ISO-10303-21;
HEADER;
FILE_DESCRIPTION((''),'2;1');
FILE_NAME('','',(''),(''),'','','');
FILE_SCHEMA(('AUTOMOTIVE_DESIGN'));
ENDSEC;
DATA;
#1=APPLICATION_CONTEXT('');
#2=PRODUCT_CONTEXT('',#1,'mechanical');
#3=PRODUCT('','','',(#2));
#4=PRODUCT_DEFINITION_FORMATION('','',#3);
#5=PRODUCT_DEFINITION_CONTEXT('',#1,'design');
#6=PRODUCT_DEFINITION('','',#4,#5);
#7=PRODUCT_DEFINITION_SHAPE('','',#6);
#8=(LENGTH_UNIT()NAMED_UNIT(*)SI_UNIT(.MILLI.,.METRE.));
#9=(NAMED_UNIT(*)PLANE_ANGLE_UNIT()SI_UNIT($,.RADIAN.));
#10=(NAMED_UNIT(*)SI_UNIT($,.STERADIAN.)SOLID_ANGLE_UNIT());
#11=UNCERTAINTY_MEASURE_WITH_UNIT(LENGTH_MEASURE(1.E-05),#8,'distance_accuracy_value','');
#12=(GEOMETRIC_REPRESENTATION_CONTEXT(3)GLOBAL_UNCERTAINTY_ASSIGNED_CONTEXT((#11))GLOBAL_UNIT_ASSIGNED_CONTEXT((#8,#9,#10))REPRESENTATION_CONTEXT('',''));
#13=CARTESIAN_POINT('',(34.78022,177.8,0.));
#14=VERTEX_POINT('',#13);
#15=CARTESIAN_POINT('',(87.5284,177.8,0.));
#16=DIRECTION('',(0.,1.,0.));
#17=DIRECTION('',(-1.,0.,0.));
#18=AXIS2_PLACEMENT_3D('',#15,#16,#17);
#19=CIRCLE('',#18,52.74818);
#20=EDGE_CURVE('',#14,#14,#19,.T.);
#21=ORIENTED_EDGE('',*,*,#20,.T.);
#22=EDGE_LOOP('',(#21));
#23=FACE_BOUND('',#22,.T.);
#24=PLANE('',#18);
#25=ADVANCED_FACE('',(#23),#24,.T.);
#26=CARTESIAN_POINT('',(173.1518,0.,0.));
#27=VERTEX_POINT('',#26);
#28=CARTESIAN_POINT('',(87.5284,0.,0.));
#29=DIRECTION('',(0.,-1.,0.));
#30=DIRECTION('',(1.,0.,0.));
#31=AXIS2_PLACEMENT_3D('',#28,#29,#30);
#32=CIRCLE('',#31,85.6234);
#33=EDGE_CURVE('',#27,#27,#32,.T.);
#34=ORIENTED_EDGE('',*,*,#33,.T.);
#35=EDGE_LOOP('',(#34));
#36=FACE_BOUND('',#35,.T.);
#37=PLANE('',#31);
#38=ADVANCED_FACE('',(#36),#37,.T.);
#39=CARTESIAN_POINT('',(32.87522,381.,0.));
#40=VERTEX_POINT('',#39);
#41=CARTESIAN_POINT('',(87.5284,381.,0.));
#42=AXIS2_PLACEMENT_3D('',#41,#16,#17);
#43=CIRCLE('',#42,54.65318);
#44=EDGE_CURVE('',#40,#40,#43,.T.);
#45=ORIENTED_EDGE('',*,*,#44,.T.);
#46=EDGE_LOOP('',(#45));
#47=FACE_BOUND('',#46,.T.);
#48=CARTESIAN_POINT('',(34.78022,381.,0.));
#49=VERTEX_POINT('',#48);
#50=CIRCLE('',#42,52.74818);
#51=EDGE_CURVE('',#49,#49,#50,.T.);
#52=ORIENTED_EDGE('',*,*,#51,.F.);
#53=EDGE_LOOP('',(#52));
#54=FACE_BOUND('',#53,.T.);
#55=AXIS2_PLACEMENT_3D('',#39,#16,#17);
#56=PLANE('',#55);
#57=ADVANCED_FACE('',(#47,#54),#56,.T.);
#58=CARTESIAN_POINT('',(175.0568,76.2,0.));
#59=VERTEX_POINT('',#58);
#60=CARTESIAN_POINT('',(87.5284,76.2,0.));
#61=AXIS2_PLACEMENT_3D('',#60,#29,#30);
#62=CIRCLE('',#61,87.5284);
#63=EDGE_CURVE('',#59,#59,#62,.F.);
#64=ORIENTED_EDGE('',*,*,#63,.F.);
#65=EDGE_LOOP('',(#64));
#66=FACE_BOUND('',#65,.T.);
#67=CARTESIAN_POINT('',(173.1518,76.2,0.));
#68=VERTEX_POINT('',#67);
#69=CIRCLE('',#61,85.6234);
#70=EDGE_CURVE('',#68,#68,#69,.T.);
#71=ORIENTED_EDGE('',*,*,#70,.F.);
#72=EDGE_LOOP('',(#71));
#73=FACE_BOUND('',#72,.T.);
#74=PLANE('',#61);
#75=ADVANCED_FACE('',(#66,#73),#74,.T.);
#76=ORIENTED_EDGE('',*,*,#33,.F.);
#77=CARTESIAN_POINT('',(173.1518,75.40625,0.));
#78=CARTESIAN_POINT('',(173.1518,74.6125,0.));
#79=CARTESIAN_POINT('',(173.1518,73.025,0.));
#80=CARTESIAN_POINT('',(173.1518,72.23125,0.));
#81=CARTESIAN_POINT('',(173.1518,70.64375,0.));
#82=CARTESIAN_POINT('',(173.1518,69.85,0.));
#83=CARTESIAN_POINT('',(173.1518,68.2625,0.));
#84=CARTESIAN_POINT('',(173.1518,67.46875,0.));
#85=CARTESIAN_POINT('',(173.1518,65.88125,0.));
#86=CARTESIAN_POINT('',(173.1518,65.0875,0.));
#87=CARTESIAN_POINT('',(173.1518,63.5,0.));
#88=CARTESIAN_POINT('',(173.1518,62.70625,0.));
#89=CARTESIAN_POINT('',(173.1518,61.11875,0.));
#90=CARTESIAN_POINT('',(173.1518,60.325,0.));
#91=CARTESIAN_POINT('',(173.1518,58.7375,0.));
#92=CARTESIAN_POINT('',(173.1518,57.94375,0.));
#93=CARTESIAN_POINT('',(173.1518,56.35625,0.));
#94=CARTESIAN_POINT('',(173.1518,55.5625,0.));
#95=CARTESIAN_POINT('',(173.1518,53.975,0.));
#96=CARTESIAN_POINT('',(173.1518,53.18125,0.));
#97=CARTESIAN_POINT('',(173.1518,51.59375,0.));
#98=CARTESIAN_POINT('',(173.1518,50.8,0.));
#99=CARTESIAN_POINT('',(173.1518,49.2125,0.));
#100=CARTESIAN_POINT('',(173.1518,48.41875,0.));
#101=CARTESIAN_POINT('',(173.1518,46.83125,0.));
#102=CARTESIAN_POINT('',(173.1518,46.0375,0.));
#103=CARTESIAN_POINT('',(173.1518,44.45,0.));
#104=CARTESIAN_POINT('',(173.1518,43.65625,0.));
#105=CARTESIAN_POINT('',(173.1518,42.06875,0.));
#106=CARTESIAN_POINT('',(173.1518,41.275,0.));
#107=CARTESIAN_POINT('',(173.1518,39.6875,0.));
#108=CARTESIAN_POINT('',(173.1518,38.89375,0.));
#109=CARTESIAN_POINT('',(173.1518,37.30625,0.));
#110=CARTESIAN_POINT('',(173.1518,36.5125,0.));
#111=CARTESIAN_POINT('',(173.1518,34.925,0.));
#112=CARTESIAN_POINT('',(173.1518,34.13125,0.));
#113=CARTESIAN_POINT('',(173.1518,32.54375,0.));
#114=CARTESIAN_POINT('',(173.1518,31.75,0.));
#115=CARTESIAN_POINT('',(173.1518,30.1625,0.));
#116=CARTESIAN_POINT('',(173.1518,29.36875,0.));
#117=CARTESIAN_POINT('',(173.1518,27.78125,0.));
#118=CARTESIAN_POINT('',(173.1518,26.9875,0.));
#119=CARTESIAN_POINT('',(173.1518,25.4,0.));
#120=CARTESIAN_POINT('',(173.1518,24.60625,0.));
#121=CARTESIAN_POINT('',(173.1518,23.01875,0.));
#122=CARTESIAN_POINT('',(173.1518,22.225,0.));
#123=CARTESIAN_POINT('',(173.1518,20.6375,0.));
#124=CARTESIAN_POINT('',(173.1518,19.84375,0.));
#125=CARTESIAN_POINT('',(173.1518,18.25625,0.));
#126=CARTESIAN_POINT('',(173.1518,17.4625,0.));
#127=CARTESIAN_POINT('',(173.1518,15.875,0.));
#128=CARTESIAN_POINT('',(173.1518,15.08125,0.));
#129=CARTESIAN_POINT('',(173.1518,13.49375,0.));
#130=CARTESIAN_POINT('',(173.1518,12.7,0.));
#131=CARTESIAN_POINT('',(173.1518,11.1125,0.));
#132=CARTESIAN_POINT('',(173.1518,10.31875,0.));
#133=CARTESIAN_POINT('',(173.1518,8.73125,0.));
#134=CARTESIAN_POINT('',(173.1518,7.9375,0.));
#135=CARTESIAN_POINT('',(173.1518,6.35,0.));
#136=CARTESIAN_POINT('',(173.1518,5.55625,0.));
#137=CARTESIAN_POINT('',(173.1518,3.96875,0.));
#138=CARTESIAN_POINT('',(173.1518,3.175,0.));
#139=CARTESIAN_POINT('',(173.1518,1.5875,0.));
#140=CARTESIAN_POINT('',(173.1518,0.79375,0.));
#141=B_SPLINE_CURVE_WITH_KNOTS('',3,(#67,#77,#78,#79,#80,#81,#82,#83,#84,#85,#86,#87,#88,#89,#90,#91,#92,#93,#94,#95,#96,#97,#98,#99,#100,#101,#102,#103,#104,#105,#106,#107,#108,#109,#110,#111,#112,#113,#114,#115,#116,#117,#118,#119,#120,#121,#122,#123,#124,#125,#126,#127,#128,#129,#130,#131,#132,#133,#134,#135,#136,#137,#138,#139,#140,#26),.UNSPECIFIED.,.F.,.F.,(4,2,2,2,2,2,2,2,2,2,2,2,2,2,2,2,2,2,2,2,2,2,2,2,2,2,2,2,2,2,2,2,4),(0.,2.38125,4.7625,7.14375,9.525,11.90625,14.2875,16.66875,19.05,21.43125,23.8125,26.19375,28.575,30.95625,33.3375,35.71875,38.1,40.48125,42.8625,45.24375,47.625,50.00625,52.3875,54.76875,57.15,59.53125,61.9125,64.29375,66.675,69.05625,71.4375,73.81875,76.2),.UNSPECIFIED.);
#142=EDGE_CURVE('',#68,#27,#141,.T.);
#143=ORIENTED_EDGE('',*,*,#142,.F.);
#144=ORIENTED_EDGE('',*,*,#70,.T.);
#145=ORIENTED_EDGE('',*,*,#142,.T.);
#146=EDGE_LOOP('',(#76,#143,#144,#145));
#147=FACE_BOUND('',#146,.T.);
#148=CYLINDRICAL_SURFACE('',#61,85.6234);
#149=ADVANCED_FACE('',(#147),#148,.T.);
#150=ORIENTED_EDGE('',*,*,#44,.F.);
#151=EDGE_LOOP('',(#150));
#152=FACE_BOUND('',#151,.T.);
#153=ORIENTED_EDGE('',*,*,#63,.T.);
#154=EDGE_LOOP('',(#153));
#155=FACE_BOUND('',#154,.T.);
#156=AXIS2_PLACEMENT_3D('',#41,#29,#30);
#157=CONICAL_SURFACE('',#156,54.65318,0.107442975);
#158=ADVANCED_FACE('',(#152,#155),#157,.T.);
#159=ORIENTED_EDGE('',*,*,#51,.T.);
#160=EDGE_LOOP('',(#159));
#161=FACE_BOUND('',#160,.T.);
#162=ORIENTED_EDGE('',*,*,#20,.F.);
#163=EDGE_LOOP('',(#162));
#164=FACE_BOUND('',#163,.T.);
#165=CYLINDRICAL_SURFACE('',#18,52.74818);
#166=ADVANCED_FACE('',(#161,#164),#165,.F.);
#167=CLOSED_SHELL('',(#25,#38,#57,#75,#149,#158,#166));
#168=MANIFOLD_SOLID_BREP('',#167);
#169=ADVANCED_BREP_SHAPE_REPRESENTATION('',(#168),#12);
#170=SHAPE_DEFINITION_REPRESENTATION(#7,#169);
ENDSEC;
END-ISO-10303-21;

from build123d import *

# Parameters (mm, degrees)
SKETCH2_R          = 52.74818
CUT_EXTRUDE1_DEPTH = 203.2
SKETCH3_OUTSIDE_W  = 267.931
SKETCH3_OUTSIDE_H  = 267.93
SKETCH3_OUTSIDE_R  = 85.6234
CUT_EXTRUDE2_DEPTH = 76.2


with BuildPart() as part:
    # Sketch1 → Revolve1 (revolve)
    with BuildSketch(Plane.XY):
        Polygon((0, 0), (0, 76.2), (32.87522, 381), (87.5284, 381), (87.5284, 0), align=None)
    revolve(axis=Axis((87.5284, 381, 0), (0, -1, 0)))

    # Sketch2 → Cut-Extrude1 (cut)
    with BuildSketch(Plane(origin=(0, 381, 0), x_dir=(1, 0, 0), z_dir=(0, 1, 0))):
        with Locations(Location((87.5284, 0, 0), (0, 0, 180))):
            Circle(SKETCH2_R)
    extrude(amount=-CUT_EXTRUDE1_DEPTH, mode=Mode.SUBTRACT)

    # Sketch3 outside → Cut-Extrude2 (cut)
    with BuildSketch(Plane.XZ):
        with Locations((87.5285, 0)):
            Rectangle(SKETCH3_OUTSIDE_W, SKETCH3_OUTSIDE_H)
        with Locations((87.5284, 0)):
            Circle(SKETCH3_OUTSIDE_R, mode=Mode.SUBTRACT)
    extrude(amount=-CUT_EXTRUDE2_DEPTH, mode=Mode.SUBTRACT)


solid = part.part
